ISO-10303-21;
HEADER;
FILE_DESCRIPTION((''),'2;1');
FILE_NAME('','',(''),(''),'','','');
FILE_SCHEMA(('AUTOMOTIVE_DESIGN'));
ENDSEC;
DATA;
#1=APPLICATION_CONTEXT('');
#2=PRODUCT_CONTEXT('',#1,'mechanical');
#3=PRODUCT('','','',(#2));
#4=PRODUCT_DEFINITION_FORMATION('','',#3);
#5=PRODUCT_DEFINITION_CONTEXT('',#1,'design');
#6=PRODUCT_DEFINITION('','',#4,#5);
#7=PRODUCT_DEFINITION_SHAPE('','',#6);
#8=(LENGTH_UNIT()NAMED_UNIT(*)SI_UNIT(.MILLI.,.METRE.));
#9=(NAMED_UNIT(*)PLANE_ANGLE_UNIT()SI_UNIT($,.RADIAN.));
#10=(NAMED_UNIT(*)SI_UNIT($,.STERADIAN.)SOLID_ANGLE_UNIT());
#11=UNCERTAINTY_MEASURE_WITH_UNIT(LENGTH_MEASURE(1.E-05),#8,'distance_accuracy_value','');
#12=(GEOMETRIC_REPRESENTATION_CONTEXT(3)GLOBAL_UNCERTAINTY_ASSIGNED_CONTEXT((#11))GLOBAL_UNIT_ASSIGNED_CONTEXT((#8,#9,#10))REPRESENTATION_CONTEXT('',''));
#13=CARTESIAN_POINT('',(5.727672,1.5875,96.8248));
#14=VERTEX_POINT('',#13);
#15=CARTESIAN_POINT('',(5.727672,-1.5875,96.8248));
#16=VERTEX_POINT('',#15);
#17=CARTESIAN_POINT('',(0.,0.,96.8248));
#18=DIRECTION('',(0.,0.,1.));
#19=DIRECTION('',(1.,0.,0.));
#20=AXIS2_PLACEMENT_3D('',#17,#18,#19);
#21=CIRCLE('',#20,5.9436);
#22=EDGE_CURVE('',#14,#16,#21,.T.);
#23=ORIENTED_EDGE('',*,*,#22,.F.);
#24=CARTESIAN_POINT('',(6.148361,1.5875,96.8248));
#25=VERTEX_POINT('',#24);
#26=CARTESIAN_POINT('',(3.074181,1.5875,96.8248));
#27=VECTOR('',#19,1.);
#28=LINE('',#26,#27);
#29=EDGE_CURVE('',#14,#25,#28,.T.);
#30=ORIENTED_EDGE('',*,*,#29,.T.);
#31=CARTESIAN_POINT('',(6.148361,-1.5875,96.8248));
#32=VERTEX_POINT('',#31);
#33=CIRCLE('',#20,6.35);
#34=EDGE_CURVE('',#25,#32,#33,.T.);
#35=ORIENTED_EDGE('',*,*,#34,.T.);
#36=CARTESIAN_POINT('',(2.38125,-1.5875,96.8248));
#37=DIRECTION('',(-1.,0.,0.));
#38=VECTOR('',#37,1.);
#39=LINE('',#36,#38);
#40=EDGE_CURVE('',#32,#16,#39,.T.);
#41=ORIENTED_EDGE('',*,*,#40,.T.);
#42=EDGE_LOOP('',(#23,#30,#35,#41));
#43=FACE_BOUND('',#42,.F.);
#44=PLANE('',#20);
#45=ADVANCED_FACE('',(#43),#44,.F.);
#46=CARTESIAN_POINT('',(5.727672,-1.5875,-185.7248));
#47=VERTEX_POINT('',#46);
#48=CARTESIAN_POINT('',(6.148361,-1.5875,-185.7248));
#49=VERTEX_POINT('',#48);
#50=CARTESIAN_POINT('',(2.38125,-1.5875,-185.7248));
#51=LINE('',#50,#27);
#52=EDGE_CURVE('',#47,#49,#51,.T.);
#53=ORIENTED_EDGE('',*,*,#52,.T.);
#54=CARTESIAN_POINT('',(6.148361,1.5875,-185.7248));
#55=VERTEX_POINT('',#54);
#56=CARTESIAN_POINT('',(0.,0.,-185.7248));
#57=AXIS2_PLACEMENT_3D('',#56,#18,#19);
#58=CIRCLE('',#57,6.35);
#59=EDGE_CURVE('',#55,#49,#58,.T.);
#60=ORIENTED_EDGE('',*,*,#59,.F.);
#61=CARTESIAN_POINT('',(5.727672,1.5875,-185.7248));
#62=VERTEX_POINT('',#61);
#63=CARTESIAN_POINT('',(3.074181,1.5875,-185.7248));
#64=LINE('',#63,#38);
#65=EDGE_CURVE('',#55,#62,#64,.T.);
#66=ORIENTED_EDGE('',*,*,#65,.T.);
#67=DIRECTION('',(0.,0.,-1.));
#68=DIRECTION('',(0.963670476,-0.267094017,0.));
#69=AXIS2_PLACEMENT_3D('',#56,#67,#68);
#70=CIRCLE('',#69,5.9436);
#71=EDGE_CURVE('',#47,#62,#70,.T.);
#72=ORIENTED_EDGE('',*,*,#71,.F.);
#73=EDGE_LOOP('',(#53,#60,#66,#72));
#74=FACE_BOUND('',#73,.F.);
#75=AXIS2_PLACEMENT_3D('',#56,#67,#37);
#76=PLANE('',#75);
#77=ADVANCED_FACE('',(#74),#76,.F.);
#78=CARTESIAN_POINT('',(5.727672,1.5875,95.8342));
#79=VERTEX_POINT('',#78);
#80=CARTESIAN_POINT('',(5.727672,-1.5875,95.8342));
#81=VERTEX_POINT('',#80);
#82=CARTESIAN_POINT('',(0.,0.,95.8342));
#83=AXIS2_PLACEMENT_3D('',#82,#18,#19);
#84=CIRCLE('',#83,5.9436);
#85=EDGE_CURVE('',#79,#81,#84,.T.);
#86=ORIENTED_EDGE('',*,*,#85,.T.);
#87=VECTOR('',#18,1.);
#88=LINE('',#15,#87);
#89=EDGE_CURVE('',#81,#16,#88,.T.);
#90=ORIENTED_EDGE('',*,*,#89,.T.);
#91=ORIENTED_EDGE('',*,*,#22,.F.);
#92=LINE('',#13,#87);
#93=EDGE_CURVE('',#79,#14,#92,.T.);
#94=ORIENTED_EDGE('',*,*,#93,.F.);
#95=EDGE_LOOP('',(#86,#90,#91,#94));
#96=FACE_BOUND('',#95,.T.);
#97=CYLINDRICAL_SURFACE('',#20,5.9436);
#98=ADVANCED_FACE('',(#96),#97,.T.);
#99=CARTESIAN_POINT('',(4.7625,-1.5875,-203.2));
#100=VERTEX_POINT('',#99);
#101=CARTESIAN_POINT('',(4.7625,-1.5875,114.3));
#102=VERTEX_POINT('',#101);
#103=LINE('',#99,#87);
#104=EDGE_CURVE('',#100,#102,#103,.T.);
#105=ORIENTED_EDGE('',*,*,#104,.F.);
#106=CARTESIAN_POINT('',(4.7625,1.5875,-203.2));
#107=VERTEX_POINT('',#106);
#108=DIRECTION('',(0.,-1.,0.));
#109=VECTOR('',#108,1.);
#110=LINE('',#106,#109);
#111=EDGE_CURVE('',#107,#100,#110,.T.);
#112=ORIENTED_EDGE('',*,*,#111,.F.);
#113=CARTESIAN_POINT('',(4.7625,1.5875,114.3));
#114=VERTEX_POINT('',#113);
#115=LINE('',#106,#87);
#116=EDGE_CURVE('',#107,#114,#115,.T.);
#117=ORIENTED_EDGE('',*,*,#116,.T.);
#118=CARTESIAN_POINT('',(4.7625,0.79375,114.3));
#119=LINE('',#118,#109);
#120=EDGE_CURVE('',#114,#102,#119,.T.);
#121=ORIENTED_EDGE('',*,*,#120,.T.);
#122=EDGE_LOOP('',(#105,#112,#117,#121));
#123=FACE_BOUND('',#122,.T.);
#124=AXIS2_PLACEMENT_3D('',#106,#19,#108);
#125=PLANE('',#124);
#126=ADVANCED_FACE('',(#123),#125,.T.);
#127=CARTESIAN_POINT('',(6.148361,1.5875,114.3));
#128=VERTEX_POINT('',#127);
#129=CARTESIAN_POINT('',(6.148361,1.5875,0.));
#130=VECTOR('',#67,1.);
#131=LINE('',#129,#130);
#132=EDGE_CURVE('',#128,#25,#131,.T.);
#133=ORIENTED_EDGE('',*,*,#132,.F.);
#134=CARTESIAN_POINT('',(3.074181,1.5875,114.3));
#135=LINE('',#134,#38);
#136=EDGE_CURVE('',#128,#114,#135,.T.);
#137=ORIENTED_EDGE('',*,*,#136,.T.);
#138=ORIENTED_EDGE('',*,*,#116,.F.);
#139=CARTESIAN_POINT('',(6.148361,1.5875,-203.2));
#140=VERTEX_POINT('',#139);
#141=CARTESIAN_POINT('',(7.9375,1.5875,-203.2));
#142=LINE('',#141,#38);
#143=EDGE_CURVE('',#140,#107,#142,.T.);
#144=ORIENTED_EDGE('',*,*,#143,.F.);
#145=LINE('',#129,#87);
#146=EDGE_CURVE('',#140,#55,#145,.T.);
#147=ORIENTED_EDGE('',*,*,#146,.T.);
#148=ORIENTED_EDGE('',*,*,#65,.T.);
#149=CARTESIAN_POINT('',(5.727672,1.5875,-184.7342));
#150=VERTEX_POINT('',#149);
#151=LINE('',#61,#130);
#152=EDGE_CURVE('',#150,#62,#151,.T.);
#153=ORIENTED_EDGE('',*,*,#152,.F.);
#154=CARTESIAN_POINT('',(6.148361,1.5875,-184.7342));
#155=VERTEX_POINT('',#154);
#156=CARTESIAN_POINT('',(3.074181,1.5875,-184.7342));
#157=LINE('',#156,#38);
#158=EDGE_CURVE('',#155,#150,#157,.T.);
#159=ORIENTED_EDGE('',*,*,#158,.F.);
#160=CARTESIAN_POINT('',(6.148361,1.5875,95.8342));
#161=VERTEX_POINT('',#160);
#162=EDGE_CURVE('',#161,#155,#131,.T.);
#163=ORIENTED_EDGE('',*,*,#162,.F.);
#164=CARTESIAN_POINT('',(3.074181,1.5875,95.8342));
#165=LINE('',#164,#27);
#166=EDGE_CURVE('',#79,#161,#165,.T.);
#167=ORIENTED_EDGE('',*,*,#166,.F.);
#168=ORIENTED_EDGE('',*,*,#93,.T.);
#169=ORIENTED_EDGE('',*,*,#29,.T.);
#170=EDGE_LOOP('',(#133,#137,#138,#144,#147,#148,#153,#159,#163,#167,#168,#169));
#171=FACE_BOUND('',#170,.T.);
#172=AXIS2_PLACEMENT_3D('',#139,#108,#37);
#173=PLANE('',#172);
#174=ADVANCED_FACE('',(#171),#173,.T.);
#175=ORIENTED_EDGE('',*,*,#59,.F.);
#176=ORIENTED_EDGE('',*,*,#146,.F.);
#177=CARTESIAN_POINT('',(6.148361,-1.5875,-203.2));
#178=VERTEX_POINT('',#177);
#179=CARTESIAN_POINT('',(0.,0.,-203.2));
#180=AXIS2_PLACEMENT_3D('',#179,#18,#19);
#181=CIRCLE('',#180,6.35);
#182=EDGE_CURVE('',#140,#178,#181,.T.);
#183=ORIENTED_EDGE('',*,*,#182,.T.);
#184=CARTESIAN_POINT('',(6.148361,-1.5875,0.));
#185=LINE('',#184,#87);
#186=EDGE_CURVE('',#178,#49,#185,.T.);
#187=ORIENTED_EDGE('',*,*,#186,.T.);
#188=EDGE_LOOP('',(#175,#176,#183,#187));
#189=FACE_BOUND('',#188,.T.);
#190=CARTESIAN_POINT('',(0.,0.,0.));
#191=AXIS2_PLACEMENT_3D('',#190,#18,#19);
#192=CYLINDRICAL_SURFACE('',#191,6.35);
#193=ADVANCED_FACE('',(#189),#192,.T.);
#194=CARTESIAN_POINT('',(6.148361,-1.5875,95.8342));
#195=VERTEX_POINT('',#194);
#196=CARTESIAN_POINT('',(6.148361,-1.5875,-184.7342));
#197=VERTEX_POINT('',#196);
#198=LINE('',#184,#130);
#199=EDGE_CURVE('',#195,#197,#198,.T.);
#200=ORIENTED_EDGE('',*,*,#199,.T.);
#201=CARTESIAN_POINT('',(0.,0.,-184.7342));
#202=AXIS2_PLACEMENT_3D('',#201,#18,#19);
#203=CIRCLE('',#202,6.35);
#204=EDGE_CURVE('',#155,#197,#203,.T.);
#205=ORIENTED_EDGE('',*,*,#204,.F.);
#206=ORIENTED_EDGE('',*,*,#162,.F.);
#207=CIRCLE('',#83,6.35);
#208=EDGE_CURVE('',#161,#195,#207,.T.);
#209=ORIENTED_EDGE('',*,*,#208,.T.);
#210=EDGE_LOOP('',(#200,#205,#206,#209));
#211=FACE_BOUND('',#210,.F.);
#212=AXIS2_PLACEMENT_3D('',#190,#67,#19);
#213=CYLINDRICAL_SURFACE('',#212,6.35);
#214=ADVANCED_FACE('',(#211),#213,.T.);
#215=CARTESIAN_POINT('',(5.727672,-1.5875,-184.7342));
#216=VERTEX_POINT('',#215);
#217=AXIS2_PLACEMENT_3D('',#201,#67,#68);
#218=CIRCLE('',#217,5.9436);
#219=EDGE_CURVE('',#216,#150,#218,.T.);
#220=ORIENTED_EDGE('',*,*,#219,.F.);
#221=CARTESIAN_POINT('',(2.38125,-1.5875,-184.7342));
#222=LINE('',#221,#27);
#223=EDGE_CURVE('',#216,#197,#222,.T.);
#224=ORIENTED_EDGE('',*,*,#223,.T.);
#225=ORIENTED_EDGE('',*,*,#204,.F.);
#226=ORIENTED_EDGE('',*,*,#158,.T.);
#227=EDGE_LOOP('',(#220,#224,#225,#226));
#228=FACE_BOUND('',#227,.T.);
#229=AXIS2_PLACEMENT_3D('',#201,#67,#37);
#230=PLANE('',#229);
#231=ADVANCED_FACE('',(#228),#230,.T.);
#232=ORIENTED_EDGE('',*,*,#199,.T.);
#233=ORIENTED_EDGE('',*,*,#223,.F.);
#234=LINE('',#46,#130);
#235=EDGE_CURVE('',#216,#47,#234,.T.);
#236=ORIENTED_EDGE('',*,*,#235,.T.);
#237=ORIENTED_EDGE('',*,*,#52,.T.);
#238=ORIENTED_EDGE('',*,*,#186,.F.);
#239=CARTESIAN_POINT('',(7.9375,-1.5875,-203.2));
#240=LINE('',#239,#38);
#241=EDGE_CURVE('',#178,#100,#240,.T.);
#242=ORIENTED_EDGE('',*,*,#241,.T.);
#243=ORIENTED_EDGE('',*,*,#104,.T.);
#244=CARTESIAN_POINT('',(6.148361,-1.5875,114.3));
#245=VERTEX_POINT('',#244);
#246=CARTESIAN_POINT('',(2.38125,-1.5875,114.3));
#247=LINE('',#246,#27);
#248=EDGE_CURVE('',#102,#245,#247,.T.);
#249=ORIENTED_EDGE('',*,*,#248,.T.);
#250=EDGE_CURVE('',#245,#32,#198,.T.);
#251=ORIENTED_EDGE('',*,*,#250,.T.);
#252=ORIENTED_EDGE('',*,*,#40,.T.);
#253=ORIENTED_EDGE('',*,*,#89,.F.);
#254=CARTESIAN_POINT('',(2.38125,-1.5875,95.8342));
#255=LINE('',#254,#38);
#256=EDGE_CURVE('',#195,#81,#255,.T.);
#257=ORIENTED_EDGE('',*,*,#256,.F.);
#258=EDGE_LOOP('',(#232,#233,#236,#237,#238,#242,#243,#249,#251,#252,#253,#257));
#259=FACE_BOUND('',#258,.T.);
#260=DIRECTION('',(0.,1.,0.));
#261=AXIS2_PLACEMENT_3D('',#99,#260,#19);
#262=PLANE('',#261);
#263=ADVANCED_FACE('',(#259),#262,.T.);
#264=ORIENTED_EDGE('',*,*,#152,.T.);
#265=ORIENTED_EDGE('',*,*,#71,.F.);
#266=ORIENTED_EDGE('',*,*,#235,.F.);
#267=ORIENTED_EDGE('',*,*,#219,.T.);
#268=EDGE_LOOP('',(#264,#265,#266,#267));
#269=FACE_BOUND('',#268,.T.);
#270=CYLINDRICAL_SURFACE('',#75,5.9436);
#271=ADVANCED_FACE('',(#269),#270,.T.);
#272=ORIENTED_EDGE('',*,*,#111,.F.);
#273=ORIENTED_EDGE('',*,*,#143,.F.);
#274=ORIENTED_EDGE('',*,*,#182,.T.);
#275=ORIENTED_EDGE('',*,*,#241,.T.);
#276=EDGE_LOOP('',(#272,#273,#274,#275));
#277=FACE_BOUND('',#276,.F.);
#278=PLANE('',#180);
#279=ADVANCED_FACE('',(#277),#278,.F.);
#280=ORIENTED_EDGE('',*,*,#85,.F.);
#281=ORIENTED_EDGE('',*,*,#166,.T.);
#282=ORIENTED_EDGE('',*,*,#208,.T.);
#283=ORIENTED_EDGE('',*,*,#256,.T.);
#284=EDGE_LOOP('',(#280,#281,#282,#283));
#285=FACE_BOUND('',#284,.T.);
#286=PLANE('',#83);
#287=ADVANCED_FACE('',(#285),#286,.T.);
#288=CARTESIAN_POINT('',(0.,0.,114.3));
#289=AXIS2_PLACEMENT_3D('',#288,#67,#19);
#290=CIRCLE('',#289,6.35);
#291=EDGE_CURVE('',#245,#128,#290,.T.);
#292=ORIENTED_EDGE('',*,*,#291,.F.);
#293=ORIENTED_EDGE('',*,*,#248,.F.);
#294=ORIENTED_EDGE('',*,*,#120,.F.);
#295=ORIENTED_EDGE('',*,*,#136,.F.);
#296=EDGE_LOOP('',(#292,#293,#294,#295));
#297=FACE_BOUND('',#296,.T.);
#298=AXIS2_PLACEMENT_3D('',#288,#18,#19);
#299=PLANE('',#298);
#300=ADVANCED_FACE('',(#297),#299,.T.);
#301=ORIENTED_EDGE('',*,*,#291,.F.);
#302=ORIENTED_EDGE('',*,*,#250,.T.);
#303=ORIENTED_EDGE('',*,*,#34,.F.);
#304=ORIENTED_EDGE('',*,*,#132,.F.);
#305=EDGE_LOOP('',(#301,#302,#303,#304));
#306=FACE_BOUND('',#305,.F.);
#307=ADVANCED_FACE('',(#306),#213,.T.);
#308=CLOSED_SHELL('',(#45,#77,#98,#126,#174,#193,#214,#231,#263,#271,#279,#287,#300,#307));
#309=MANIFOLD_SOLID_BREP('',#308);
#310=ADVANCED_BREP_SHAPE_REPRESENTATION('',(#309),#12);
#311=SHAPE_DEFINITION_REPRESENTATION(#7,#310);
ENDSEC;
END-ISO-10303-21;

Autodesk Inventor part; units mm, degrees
sketch "Sketch1" plane through (0, 0, 0) normal (0, 0, 1) x (1, 0, 0)
  circle A0 centre (0, 0) radius 6.35
  dimension "d0" = 12.7
extrude "Extrusion1" add sketch "Sketch1" along normal mid plane 406.4
ref_plane "Work Plane1" through (0, 0, 203.2) normal (0, 0, 1) x (1, 0, 0)
ref_plane "Work Plane2" through (0, 0, -185.7248) normal (0, 0, -1) x (-1, 0, 0)
sketch "Sketch2" plane through (0, 0, -185.7248) normal (0, 0, -1) x (-1, 0, 0)
  circle A0 centre (0, 0) radius 5.9436
  circle A1 centre (0, 0) radius 6.35
  dimension "d5" = 11.8872
  dimension "d6" = 12.7
extrude "Extrusion2" cut sketch "Sketch2" against normal blind 0.9906
ref_plane "Work Plane3" through (0, 0, 96.8248) normal (0, 0, 1) x (1, 0, 0)
sketch "Sketch3" plane through (0, 0, 96.8248) normal (0, 0, 1) x (1, 0, 0)
  circle A0 centre (0, 0) radius 6.35
  circle A1 centre (0, 0) radius 5.9436
  dimension "d10" = 12.7
  dimension "d11" = 11.8872
extrude "Extrusion3" cut sketch "Sketch3" against normal blind 0.9906
ref_plane "Work Plane4" through (6.35, 0, 0) normal (1, 0, 0) x (0, 1, 0)
sketch "Sketch5" plane through (0, 0, -203.2) normal (0, 0, -1) x (-1, 0, 0)
  circle A0 centre (0, 0) radius 6.35 projected
sketch "Sketch6" plane through (0, 0, -203.2) normal (0, 0, -1) x (-1, 0, 0)
  circle A0 centre (0, 0) radius 6.35 projected
  line L0 (-4.7625, -1.5875) -> (-7.9375, -1.5875)
  line L1 (-7.9375, -1.5875) -> (-7.9375, 1.5875)
  line L2 (-7.9375, 1.5875) -> (-4.7625, 1.5875)
  line L3 (-4.7625, 1.5875) -> (-4.7625, -1.5875)
  line L4 (-4.7625, -1.5875) -> (-7.9375, 1.5875) construction
  line L5 (-7.9375, -1.5875) -> (-4.7625, 1.5875) construction
  point P0 (-6.35, 0)
  dimension "d19" = 3.175
  dimension "d20" = 3.175
extrude "Extrusion5" cut sketch "Sketch6" against normal blind 406.4 contours L2 L3 L0 A0 | A0 L0 L1 L2 picked at (-5.2842, -0.1781)
ref_plane "Midplane" through (0, 0, -44.45) normal (0, 0, 1) x (1, 0, 0)
sketch "Sketch7" plane through (0, 0, 203.2) normal (0, 0, 1) x (1, 0, 0)
  circle A0 centre (0, 0) radius 11.5682
extrude "Extrusion6" cut sketch "Sketch7" against normal blind 88.9
properties part number "Pin .5in. Dia. - Boom Hinge" material "Stainless Steel"
